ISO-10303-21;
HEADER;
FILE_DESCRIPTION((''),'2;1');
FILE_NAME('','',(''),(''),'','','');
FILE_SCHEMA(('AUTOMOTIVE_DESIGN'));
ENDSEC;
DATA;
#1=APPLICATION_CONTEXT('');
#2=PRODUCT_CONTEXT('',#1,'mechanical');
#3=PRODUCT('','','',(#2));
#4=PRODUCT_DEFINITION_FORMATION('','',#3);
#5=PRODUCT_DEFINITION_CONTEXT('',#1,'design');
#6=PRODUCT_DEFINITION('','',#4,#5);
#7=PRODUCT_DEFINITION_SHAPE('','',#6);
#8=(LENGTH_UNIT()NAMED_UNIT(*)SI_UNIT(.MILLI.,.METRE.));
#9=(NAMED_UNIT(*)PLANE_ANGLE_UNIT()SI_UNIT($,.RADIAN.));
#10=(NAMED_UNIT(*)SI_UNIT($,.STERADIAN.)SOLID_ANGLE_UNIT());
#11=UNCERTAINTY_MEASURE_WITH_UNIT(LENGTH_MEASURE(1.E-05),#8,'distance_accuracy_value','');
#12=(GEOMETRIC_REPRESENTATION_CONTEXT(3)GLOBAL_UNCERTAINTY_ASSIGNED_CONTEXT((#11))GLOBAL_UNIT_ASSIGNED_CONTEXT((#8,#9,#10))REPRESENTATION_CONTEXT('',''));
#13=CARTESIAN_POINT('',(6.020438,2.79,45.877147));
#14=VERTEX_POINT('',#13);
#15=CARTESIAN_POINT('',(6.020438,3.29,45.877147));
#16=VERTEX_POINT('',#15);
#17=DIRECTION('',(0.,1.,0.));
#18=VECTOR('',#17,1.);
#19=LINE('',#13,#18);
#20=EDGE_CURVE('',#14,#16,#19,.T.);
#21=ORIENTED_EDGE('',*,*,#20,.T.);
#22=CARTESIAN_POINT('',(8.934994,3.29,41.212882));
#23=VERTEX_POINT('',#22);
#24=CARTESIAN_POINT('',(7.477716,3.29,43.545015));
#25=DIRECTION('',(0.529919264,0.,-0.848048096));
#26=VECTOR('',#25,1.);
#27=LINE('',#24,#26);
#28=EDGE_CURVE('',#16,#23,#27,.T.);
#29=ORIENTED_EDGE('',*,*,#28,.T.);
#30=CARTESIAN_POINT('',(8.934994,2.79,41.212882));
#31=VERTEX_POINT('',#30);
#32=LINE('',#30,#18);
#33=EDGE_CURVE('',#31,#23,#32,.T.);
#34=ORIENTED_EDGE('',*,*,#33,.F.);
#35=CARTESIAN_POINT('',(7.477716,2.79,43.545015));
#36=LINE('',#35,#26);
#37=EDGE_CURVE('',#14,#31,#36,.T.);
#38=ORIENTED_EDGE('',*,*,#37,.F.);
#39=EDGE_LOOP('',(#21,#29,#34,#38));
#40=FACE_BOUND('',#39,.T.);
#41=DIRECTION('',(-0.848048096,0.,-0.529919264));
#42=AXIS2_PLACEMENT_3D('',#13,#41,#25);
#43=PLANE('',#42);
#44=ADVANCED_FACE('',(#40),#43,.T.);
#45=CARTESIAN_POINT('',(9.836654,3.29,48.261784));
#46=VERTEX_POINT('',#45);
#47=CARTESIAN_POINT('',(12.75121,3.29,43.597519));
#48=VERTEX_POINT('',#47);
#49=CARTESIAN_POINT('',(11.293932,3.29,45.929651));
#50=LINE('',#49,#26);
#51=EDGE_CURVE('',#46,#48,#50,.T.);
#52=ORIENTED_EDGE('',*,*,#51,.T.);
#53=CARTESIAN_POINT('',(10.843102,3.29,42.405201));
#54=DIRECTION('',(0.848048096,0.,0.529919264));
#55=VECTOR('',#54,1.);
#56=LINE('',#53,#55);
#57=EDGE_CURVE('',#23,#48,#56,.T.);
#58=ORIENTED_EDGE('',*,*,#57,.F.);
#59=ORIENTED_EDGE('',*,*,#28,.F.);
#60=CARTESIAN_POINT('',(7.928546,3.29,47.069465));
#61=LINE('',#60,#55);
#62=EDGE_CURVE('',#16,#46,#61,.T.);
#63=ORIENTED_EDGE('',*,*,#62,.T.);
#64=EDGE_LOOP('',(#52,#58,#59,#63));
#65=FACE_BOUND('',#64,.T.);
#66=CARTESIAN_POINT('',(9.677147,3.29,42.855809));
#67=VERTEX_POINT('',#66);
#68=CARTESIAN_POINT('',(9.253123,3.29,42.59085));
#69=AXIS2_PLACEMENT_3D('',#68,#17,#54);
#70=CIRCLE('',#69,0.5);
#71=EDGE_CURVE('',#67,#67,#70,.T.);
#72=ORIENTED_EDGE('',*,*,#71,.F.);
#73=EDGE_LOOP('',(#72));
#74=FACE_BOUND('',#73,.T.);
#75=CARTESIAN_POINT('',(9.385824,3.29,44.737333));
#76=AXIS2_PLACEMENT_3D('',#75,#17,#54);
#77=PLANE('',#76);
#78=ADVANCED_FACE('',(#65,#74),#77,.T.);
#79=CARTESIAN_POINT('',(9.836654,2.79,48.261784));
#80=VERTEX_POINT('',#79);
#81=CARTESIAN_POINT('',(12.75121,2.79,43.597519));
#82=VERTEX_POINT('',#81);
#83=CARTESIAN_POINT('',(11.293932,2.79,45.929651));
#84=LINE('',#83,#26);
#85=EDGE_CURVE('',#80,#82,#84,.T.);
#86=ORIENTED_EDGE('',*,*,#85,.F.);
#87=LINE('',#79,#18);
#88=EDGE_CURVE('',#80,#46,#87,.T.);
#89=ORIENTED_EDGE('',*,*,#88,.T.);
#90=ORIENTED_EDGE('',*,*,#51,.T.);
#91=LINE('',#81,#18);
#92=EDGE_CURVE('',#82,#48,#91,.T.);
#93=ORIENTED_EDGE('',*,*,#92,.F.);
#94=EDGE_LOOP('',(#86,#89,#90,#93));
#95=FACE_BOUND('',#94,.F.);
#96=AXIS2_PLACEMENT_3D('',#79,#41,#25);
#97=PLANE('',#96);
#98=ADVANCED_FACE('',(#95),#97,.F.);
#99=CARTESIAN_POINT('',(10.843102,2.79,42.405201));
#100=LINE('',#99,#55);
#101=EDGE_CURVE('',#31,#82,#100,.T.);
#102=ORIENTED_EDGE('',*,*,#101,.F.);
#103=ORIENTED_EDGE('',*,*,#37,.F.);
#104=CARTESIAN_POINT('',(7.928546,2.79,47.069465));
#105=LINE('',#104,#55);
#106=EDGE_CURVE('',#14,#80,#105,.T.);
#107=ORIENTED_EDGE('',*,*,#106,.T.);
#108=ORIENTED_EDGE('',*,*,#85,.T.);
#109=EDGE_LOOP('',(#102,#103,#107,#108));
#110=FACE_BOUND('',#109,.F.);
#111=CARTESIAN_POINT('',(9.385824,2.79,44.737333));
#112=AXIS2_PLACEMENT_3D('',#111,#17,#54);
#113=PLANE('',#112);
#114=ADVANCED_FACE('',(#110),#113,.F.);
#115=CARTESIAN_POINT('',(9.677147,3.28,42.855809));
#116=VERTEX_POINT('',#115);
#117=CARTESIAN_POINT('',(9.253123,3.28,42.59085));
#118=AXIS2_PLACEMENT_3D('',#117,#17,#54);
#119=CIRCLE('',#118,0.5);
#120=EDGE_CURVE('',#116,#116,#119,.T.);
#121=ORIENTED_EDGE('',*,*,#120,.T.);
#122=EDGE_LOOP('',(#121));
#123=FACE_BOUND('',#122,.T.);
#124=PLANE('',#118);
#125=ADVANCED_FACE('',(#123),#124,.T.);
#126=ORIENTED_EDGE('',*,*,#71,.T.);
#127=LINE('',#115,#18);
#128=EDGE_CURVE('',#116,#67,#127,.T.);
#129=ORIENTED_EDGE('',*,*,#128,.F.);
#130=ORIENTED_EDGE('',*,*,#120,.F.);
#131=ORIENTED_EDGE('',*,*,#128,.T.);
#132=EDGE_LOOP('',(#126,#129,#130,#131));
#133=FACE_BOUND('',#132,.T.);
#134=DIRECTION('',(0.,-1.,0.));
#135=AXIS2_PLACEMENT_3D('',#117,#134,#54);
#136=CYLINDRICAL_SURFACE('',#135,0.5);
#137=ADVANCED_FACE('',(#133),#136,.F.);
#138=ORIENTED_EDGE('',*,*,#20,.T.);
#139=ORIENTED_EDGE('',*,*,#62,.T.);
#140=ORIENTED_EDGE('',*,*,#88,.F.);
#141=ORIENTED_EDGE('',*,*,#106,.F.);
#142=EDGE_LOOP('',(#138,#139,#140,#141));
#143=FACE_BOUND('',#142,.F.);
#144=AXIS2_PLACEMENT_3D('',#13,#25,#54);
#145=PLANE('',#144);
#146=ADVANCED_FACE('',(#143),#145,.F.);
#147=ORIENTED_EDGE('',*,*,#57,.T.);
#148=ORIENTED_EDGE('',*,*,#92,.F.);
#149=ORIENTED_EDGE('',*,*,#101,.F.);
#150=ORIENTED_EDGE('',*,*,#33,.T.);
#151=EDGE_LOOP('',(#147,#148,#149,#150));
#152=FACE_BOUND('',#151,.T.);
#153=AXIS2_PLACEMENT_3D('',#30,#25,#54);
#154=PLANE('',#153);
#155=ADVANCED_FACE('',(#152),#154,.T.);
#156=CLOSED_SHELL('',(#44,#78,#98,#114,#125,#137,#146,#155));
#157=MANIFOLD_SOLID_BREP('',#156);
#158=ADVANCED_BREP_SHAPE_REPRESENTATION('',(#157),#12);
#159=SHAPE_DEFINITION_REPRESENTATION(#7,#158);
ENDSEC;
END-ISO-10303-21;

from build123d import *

# Parameters (mm, degrees)
CYLINDER073_R      = 0.5
CYLINDER073_DEPTH  = 0.01
BOX164_W           = 4.5
BOX164_H           = 5.5
BOX164_DEPTH       = 0.5
CUT080_ROLL_ANGLE  = -90
CUT080_PITCH_ANGLE = -32


with BuildPart() as cylinder073:
    # Cylinder073 → Cylinder073 (new body)
    with BuildSketch(Plane(origin=(1, 4.5, 0.49), x_dir=(1, 0, 0), z_dir=(0, 0, 1))):
        Circle(CYLINDER073_R)
    extrude(amount=CYLINDER073_DEPTH)


with BuildPart() as small_linbo3_plate074:
    # Box164 → Box164 (new body)
    with BuildSketch(Plane.XY):
        with Locations((2.25, 2.75)):
            Rectangle(BOX164_W, BOX164_H)
    extrude(amount=BOX164_DEPTH)

    # Cut080: cut Cylinder073
    add(cylinder073.part, mode=Mode.SUBTRACT)


with BuildPart() as small_linbo3_plate074_1:
    # Cut080 roll: moved
    add(small_linbo3_plate074.part.rotate(Axis((0, 0, 0), (1, 0, 0)), CUT080_ROLL_ANGLE))


with BuildPart() as small_linbo3_plate074_2:
    # Cut080 pitch: moved
    add(small_linbo3_plate074_1.part.rotate(Axis((0, 0, 0), (0, 1, 0)), CUT080_PITCH_ANGLE))


with BuildPart() as small_linbo3_plate074_3:
    # Cut080 placement: moved
    add(small_linbo3_plate074_2.part.moved(Location((6.020438, 2.79, 45.877147))))


solid = small_linbo3_plate074_3.part
